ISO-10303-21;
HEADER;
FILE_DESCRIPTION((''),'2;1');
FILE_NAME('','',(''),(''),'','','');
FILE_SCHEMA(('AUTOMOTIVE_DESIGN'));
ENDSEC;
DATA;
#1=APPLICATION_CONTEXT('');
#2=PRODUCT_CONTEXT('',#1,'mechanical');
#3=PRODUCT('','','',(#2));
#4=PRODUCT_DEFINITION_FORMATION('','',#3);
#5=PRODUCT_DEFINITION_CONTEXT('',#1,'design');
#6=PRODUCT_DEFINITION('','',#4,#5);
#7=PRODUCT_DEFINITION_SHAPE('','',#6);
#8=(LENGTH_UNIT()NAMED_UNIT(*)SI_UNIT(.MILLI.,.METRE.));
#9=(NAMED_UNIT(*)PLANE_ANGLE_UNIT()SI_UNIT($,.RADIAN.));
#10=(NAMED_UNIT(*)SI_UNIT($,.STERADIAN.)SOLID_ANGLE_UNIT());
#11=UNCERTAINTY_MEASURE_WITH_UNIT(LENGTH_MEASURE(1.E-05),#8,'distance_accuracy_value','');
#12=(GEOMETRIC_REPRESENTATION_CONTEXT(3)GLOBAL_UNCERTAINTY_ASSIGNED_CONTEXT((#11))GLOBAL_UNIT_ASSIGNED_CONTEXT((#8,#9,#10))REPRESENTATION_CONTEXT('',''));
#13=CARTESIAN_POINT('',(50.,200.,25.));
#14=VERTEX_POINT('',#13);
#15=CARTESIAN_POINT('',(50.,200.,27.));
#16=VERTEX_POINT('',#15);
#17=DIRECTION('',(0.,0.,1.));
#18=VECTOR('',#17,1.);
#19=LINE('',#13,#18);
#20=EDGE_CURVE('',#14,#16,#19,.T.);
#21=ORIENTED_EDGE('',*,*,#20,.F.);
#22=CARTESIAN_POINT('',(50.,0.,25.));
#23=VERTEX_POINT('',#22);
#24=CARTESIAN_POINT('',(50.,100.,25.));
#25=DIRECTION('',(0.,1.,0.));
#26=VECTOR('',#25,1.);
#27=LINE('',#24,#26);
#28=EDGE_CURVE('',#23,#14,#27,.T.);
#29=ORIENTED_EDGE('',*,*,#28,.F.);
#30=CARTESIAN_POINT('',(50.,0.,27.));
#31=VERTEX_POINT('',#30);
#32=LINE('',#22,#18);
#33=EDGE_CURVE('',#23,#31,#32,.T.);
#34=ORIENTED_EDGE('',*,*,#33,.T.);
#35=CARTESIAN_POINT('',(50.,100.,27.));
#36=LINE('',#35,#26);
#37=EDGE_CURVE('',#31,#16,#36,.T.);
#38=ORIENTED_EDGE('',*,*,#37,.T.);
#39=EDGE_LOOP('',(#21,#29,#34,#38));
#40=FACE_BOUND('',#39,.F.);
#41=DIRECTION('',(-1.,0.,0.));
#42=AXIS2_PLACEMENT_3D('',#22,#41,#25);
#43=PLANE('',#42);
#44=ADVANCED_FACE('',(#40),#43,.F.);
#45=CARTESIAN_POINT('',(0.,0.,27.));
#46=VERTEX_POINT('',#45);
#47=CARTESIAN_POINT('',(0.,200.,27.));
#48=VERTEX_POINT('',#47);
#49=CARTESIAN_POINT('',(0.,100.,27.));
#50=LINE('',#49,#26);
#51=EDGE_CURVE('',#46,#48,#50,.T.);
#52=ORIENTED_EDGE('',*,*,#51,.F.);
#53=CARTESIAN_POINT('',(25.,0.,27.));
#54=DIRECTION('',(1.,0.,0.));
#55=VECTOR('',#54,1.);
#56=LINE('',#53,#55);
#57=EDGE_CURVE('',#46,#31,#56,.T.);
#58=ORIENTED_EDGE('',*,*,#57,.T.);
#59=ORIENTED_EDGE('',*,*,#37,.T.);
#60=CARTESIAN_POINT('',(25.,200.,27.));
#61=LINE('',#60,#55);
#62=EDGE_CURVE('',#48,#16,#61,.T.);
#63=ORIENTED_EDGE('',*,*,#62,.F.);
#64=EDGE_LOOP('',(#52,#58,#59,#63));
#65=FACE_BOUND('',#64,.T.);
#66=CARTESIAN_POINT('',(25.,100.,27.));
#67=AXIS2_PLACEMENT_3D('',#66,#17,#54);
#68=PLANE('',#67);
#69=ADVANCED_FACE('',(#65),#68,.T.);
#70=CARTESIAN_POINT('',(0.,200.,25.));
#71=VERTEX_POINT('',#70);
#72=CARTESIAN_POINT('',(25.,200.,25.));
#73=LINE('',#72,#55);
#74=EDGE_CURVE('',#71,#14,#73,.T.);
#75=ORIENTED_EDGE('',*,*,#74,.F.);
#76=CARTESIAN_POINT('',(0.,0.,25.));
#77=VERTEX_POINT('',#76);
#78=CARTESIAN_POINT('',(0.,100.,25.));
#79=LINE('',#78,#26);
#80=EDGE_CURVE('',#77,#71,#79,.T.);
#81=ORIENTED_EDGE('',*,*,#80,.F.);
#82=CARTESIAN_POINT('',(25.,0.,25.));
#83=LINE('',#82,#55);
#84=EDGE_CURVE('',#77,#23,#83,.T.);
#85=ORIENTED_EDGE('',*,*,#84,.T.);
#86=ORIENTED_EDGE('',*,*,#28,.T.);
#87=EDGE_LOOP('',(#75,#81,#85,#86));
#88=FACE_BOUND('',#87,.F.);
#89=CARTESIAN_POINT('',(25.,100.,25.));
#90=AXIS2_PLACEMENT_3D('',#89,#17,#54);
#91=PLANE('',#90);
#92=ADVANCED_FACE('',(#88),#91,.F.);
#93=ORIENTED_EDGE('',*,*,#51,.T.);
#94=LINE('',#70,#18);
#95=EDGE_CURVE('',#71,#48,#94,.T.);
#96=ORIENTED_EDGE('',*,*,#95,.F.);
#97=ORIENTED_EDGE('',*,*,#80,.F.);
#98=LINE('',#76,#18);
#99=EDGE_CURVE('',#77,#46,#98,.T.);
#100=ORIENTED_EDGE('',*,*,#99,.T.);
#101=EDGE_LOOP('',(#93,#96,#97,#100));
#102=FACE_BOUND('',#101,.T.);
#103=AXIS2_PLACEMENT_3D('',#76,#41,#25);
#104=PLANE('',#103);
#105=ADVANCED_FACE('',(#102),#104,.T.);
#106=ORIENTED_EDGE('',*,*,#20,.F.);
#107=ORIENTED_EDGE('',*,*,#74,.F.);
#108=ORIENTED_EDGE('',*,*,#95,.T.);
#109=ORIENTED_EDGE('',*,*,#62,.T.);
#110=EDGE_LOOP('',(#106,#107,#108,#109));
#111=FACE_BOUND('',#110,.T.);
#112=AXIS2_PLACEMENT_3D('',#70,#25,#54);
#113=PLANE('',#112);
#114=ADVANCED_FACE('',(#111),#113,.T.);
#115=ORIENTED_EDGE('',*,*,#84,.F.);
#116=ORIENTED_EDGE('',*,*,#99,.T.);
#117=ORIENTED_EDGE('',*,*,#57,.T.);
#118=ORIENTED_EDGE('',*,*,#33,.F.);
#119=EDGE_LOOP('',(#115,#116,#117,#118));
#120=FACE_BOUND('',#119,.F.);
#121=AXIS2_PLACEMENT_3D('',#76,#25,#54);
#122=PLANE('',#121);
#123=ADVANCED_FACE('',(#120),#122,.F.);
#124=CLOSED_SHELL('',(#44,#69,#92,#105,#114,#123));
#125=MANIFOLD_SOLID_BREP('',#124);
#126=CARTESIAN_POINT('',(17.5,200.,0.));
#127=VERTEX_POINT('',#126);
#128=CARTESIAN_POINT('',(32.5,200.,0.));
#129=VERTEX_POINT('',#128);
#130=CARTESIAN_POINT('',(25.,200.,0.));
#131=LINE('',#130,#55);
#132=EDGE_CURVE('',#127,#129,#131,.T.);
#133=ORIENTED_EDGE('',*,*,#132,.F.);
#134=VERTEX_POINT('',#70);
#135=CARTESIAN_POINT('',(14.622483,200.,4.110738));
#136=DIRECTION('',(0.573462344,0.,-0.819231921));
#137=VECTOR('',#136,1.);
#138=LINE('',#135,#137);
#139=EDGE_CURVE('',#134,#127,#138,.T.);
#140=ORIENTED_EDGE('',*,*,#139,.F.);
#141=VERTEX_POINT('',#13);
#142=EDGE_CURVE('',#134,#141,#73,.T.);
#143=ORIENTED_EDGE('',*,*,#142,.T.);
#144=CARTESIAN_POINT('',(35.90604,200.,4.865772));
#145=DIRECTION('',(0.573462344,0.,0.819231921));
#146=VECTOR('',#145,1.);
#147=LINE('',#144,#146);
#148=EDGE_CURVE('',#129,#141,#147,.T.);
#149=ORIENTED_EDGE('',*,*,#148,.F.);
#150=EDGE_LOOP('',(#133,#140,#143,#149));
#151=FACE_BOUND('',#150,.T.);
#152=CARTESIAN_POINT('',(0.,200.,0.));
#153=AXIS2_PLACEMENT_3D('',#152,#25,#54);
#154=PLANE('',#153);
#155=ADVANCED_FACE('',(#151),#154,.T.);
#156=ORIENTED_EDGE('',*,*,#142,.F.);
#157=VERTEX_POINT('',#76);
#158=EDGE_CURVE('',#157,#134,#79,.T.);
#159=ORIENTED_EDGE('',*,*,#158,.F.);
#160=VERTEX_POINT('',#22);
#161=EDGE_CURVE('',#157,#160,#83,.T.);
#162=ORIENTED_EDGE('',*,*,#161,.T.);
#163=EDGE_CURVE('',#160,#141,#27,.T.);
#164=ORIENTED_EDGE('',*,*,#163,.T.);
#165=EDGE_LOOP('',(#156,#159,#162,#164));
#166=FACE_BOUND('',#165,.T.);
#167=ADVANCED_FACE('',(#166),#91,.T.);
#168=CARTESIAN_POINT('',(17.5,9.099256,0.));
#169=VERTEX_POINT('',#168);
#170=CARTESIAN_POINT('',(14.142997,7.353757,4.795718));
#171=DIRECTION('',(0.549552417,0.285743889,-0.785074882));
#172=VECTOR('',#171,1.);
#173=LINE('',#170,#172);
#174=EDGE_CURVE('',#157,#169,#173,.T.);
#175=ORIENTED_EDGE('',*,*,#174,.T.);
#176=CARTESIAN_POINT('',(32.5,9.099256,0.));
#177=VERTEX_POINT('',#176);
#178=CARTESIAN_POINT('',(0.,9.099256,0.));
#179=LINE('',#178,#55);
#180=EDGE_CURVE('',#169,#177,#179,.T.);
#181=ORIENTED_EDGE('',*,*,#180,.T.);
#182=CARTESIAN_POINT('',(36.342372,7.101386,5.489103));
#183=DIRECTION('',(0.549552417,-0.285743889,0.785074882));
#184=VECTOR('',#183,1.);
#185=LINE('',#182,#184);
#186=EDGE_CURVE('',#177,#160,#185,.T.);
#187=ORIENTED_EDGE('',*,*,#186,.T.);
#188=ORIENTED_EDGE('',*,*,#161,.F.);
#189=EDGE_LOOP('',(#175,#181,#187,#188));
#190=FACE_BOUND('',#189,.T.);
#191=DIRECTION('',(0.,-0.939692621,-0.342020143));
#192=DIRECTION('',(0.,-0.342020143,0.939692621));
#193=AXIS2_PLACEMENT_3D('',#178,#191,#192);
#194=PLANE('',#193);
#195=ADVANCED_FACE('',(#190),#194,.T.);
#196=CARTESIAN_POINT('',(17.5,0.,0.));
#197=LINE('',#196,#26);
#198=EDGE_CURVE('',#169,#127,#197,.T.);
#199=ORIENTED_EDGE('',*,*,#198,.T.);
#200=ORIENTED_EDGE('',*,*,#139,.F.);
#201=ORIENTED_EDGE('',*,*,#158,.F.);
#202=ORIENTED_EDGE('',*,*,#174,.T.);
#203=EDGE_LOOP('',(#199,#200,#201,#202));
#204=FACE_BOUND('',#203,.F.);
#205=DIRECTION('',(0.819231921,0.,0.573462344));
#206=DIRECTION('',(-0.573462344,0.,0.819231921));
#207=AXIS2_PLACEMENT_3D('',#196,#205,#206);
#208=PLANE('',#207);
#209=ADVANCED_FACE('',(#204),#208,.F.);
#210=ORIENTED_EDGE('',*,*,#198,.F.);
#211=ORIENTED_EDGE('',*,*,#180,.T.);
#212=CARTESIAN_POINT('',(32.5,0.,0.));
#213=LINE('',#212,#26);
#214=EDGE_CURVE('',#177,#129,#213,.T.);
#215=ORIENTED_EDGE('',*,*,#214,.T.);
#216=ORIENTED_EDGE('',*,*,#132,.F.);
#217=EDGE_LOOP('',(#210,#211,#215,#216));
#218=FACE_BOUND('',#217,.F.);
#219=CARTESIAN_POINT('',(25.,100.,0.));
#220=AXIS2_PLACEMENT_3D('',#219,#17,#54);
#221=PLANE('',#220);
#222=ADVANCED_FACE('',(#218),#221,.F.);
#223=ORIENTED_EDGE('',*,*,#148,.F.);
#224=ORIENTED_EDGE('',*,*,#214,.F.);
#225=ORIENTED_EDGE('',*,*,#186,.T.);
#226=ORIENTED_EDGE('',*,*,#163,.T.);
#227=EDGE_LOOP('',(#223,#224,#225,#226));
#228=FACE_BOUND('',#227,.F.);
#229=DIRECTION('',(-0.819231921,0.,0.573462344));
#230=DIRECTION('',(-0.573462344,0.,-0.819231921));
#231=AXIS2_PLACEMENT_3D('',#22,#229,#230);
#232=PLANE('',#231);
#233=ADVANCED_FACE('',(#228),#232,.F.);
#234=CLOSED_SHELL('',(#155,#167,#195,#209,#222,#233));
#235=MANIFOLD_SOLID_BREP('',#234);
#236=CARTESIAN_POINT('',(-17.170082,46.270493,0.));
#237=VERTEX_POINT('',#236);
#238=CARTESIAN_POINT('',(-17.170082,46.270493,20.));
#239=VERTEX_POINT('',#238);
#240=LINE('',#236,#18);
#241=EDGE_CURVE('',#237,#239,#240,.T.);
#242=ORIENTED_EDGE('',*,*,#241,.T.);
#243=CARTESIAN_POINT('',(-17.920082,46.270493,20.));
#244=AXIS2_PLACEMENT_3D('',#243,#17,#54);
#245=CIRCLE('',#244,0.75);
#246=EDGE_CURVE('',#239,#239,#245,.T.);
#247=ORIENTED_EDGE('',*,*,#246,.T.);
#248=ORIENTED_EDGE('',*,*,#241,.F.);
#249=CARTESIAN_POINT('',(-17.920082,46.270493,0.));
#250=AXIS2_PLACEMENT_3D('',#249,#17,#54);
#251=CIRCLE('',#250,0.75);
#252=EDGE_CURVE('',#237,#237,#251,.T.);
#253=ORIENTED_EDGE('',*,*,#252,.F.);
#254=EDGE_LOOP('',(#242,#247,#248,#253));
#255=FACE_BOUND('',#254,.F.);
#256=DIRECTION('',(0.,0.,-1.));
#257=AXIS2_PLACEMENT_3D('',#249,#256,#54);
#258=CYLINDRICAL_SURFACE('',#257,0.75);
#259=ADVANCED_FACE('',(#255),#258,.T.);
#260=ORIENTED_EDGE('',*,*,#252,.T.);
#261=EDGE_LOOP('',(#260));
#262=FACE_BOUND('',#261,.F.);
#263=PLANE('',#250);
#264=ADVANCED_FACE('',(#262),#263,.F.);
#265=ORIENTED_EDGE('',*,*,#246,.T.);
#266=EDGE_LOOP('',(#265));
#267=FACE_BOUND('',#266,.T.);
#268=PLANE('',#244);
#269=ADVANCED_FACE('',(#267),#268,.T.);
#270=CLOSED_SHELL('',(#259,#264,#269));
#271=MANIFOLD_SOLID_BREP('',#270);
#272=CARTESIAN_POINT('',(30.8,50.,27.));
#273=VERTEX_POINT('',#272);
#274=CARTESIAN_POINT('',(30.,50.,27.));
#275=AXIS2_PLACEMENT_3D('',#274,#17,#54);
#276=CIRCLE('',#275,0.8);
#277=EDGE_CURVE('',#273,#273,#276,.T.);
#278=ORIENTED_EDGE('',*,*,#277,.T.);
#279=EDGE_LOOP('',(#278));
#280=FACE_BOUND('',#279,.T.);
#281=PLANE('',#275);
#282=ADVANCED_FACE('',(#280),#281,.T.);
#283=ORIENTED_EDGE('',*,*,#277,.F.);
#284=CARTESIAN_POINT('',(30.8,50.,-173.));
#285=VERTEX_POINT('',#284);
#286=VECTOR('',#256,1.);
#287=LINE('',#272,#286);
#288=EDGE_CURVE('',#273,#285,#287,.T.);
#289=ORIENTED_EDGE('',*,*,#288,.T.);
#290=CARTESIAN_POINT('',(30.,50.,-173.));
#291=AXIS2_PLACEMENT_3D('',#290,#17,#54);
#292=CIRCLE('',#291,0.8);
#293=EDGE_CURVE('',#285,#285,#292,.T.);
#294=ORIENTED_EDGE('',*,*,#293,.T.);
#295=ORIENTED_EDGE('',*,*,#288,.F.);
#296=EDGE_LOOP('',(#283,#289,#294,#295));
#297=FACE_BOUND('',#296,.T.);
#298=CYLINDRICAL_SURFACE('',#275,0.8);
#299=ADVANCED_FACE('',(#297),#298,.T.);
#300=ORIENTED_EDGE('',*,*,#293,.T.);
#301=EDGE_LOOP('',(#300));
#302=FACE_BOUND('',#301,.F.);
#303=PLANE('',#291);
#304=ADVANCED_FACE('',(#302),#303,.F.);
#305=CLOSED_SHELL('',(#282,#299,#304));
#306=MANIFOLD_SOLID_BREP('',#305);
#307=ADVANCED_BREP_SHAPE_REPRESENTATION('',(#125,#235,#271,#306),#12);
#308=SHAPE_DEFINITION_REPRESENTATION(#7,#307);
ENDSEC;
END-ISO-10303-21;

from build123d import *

# Parameters (mm, degrees)
F0_W      = 50
F0_H      = 200
F1_DEPTH  = 25
F3_DEPTH  = 200.001
F5_DEPTH  = 50.001
F6_W      = 50
F6_H      = 200
F7_DEPTH  = 2
F8_R      = 0.8
F9_DEPTH  = 200
F10_R     = 0.75
F11_DEPTH = 20


with BuildPart() as f1:
    # F0 (on Top) → F1 (new body)
    with BuildSketch(Plane.XY):
        with Locations((25, 100)):
            Rectangle(F0_W, F0_H)
    extrude(amount=F1_DEPTH)

    # F2 (on face) → F3 (cut, through all)
    with BuildSketch(Plane.XZ):
        Polygon((17.5, 0), (0, 25), (0, 0), align=None)
        Polygon((50, 25), (32.5, 0), (50, 0), align=None)
    extrude(amount=-F3_DEPTH, mode=Mode.SUBTRACT)

    # F4 (on Right) → F5 (cut, through all)
    with BuildSketch(Plane.YZ):
        Polygon((0, 25), (0, 0), (9.0992558567, 0), align=None)
    extrude(amount=F5_DEPTH, mode=Mode.SUBTRACT)


with BuildPart() as f7:
    # F6 (on face) → F7 (new body)
    with BuildSketch(Plane.XY.offset(25)):
        with Locations((25, 100)):
            Rectangle(F6_W, F6_H)
    extrude(amount=F7_DEPTH)


with BuildPart() as f9:
    # F8 (on face) → F9 (new body)
    with BuildSketch(Plane.XY.offset(27)):
        with Locations((30, 50)):
            Circle(F8_R)
    extrude(amount=-F9_DEPTH)


with BuildPart() as f11:
    # F10 (on Top) → F11 (new body)
    with BuildSketch(Plane.XY):
        with Locations((-17.920082435, 46.270493418)):
            Circle(F10_R)
    extrude(amount=F11_DEPTH)


solid = Compound([f1.part, f7.part, f9.part, f11.part])
